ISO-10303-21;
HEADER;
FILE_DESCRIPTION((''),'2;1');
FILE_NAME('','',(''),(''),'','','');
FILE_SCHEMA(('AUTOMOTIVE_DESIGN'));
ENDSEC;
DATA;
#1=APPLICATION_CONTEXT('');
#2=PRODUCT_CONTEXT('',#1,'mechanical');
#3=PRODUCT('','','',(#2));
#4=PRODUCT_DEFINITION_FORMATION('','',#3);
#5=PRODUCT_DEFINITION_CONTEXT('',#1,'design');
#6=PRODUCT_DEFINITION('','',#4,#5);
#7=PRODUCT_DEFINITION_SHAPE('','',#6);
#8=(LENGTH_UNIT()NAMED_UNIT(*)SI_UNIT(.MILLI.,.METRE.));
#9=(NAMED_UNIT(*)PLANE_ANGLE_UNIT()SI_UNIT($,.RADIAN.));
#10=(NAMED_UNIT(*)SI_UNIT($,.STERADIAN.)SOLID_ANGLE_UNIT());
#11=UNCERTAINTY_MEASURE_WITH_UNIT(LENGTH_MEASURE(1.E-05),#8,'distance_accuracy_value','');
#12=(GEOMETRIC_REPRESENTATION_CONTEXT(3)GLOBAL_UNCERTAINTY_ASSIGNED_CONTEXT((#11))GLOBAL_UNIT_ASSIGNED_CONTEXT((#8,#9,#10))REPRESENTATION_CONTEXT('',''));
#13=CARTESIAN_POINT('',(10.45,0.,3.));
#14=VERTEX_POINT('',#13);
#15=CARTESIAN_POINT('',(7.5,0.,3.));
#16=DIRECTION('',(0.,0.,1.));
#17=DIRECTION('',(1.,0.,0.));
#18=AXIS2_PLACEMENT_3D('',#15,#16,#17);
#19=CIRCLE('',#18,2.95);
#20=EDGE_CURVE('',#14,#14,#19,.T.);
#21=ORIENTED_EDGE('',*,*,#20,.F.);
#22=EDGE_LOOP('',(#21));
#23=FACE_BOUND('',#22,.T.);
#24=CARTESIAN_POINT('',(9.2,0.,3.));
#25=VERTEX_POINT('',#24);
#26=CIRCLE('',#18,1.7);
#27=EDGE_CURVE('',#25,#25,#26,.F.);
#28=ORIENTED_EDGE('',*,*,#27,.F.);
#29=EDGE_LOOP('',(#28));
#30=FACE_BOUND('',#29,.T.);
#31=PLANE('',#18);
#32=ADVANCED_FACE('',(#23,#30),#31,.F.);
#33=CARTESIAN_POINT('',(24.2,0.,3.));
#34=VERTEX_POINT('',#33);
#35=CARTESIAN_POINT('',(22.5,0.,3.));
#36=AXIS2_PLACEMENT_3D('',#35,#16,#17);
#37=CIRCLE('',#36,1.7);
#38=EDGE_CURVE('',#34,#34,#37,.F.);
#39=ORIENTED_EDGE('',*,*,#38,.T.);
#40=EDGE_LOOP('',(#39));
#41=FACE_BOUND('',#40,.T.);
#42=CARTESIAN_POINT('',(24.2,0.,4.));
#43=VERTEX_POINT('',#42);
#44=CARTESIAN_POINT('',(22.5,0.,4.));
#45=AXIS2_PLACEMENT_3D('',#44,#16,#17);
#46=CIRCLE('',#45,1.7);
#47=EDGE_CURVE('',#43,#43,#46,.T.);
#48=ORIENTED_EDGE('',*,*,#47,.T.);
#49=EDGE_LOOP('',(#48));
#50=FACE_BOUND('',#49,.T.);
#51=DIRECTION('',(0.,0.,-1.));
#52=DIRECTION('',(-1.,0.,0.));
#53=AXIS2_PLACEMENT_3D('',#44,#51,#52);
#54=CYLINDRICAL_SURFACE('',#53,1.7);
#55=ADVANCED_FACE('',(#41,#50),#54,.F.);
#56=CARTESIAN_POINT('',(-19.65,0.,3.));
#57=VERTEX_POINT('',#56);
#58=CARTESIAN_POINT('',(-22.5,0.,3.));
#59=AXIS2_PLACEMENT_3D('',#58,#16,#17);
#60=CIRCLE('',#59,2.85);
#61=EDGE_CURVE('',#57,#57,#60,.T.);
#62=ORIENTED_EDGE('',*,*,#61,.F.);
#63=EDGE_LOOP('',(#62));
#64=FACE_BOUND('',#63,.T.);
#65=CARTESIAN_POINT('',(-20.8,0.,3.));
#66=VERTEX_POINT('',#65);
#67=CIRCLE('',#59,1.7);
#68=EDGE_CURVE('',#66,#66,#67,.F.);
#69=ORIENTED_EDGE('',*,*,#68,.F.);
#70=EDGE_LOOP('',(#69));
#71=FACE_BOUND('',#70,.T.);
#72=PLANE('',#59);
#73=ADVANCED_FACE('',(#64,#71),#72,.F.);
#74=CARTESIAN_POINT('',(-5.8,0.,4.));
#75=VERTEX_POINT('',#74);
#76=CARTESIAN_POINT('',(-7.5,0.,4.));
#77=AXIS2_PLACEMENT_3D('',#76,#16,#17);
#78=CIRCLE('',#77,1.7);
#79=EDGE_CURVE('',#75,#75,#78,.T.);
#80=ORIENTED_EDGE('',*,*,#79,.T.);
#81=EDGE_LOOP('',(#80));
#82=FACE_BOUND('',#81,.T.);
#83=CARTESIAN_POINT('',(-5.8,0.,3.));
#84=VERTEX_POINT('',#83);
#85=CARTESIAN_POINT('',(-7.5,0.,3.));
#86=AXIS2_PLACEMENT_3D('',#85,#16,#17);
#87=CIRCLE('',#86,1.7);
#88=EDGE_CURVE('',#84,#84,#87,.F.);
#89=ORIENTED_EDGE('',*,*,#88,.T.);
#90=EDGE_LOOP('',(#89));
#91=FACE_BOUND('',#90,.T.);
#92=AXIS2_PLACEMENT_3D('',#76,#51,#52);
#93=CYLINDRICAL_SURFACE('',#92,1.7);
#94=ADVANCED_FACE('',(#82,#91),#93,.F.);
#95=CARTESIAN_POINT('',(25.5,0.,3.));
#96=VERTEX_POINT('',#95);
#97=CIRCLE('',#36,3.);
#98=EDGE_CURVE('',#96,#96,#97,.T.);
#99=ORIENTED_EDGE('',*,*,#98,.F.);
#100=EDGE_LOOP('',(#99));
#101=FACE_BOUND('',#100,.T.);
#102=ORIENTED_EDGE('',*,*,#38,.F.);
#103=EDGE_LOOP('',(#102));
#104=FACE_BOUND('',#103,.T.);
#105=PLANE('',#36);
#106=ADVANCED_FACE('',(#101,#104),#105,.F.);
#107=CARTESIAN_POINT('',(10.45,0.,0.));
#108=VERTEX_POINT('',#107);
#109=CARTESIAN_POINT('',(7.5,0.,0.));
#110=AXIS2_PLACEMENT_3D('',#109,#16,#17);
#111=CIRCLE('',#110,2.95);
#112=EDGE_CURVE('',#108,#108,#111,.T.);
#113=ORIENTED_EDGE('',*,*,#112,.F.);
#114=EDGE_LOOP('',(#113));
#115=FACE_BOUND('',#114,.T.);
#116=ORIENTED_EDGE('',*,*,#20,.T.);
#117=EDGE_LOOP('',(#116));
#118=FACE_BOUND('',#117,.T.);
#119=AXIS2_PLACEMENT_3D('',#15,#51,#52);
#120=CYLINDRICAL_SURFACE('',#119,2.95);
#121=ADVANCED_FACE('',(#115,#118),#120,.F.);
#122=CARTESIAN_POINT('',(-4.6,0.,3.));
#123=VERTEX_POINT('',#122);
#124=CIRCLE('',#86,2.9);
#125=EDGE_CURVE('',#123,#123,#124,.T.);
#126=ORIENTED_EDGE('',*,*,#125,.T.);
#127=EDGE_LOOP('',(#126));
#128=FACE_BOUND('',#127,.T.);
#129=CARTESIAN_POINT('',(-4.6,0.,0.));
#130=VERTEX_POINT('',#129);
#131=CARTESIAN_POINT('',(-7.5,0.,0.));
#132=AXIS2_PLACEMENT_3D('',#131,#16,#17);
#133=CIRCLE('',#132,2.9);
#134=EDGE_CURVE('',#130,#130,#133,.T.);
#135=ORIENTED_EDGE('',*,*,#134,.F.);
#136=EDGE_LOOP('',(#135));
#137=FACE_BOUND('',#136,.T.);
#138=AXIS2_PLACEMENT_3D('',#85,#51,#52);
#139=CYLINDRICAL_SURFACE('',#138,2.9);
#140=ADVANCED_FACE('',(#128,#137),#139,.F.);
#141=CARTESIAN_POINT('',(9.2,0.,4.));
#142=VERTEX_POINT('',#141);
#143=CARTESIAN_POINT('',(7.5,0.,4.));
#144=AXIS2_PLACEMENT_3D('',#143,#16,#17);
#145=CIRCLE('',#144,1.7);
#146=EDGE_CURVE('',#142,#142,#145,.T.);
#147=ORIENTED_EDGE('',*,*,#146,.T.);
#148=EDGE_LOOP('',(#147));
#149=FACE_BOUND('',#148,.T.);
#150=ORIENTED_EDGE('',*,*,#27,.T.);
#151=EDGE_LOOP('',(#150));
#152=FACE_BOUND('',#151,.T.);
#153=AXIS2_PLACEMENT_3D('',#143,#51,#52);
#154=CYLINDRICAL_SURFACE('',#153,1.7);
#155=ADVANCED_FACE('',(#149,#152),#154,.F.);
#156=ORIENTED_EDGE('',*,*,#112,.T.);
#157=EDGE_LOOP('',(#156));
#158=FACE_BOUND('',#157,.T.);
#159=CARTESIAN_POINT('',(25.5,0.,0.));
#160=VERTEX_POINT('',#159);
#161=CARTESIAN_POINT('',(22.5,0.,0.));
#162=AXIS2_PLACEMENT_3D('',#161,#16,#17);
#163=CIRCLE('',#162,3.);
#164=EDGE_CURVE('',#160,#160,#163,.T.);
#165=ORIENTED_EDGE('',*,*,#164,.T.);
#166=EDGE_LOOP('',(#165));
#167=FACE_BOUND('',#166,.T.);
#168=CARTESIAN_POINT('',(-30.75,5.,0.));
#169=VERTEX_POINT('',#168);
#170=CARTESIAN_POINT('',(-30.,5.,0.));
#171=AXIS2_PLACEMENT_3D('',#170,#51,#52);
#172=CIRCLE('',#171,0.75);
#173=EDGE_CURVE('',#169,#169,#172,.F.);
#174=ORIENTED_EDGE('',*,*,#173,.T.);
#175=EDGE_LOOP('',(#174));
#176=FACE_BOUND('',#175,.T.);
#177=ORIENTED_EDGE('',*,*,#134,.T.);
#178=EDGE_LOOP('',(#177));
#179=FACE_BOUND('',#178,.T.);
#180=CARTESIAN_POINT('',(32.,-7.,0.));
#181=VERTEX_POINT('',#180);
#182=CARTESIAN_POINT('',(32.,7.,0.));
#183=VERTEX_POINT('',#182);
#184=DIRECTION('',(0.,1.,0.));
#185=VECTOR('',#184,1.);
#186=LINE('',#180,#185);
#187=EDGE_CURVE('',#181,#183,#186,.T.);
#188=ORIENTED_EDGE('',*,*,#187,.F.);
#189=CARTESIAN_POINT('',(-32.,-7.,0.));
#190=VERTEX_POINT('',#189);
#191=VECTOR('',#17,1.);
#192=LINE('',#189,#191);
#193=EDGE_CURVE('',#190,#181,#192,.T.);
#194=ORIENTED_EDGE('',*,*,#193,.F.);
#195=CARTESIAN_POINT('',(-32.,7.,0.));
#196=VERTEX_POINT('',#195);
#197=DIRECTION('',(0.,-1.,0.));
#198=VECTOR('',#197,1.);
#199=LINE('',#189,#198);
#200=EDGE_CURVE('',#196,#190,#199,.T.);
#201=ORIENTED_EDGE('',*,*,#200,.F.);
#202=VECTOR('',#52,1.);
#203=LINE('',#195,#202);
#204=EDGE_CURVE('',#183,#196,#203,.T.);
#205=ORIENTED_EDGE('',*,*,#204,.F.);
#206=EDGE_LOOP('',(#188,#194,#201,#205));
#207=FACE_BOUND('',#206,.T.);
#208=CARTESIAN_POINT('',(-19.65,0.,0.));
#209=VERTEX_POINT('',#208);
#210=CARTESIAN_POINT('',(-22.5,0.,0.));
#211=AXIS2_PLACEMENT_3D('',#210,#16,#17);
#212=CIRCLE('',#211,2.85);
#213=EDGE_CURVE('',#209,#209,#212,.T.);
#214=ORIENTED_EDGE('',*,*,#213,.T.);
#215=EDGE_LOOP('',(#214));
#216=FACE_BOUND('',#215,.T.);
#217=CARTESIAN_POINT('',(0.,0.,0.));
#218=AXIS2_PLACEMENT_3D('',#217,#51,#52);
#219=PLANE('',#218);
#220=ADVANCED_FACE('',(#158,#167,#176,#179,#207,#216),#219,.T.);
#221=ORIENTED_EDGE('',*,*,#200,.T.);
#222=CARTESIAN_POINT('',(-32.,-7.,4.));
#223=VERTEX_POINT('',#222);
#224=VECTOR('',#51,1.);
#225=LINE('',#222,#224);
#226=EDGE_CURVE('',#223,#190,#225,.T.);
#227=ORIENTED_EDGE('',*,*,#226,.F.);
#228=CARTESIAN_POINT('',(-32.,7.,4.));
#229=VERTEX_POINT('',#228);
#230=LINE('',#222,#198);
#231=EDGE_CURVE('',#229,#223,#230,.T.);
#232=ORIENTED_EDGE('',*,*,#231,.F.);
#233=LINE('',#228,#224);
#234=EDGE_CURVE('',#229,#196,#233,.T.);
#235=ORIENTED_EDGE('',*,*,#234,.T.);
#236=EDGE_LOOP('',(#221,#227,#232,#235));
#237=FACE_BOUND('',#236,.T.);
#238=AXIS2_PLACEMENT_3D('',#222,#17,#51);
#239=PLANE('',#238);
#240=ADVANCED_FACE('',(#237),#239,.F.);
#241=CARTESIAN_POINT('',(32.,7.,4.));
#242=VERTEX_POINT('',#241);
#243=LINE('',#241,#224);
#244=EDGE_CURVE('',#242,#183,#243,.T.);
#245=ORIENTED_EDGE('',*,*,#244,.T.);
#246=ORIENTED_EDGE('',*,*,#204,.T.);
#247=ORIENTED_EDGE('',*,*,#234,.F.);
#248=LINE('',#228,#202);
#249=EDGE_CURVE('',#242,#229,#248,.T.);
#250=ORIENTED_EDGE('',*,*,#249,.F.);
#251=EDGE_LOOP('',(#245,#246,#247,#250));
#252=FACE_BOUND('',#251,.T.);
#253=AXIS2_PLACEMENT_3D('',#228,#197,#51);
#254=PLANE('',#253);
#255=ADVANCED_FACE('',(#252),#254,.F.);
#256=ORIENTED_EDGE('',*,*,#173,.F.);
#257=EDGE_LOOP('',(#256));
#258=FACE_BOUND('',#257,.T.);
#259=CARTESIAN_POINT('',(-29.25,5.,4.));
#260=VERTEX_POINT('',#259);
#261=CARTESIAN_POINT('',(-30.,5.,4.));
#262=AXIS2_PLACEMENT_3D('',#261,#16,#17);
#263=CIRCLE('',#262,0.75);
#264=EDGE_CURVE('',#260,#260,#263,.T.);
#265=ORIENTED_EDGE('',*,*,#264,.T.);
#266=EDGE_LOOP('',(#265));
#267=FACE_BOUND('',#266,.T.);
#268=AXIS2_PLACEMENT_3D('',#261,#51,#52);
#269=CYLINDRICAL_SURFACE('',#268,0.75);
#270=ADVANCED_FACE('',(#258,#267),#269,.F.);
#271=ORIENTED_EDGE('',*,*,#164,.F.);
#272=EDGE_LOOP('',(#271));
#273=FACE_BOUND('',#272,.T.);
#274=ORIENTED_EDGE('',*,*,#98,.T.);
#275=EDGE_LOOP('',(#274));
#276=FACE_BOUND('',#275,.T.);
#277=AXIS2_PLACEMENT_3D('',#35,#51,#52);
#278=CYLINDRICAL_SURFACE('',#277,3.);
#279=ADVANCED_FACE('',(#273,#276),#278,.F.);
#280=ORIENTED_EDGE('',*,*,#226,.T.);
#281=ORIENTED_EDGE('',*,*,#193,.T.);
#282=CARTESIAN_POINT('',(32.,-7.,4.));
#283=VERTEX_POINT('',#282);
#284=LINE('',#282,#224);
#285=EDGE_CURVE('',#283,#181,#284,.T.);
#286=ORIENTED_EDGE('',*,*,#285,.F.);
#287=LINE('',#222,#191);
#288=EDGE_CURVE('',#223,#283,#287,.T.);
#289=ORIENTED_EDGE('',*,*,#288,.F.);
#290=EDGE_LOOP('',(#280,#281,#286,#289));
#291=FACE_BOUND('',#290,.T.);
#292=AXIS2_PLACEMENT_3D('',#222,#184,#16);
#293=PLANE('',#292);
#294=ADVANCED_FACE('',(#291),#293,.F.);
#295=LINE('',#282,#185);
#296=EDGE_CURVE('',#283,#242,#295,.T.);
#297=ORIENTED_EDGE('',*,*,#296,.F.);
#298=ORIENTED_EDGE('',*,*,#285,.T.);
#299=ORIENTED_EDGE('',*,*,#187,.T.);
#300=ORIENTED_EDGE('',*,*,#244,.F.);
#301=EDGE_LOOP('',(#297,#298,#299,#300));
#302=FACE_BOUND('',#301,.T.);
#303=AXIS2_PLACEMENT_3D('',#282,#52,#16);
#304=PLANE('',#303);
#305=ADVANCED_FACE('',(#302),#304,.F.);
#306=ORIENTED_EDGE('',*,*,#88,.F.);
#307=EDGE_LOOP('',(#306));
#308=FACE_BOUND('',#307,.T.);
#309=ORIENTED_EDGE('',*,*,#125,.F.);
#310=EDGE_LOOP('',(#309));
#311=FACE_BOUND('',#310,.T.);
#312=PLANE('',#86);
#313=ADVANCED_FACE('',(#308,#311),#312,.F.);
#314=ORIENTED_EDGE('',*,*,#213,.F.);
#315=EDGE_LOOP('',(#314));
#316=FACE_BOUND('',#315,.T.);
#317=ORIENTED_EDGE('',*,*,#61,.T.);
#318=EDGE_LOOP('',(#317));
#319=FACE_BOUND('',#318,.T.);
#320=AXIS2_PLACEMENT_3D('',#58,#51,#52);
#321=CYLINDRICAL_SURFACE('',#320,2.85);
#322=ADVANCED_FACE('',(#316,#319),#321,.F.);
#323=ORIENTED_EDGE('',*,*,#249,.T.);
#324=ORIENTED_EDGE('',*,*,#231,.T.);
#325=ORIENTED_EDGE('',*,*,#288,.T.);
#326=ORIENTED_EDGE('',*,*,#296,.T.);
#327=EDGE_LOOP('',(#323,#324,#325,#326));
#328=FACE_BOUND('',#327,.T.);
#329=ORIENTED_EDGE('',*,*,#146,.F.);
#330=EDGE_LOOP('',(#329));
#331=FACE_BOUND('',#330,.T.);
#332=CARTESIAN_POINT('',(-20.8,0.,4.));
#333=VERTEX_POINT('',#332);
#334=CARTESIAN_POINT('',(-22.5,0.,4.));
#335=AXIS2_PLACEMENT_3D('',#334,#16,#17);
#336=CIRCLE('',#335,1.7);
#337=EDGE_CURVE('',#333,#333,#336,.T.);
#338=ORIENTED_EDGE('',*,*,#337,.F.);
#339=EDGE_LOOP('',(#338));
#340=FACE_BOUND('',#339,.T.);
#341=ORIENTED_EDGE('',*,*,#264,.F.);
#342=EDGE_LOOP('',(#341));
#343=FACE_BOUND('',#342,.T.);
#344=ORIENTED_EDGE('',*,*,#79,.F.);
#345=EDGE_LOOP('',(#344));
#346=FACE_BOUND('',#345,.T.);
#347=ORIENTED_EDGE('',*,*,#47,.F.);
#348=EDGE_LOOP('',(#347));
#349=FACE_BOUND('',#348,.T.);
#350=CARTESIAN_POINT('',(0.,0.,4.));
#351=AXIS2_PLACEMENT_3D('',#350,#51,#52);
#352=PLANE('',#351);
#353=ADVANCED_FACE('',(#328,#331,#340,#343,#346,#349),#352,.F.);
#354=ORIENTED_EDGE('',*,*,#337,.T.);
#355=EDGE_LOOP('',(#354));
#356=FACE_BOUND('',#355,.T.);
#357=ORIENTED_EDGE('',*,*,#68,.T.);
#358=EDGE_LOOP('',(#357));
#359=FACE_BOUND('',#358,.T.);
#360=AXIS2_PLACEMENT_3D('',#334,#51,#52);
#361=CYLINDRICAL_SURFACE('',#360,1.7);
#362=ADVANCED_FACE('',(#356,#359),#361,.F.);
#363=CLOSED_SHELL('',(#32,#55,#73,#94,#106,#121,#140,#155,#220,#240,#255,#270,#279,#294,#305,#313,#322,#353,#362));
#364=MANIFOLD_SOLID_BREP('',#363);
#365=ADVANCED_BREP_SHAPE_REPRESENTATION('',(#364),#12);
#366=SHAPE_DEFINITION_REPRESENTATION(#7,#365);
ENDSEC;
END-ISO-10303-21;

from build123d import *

# Parameters (mm, degrees)
COUPON_BAR_64X14X4_PROFILE_W                   = 64
COUPON_BAR_64X14X4_PROFILE_H                   = 14
COUPON_BAR_64X14X4_DEPTH                       = 4
PRESS_SOCKETS_5P70_5P80_5P90_6P00_DE_2_R       = 2.85
PRESS_SOCKETS_5P70_5P80_5P90_6P00_DE_2_R_2     = 2.9
PRESS_SOCKETS_5P70_5P80_5P90_6P00_DE_2_R_3     = 2.95
PRESS_SOCKETS_5P70_5P80_5P90_6P00_DE_2_R_4     = 3
PRESS_SOCKETS_5P70_5P80_5P90_6P00_DEPTH3_DEPTH = 3
M3_CENTRE_SCREW_CLEARANCE_START                = -50
M3_CENTRE_SCREW_CLEARANCE_PROFILE_R            = 1.7
M3_CENTRE_SCREW_CLEARANCE_DEPTH                = 84
ORIENTATION_MARK_AT_SMALLEST_SOCKET_START      = -50
ORIENTATION_MARK_AT_SMALLEST_SOCKET_PROF_R     = 0.75
ORIENTATION_MARK_AT_SMALLEST_SOCKET_DEPTH      = 84


with BuildPart() as part:
    # Coupon_bar_64x14x4_profile → Coupon_bar_64x14x4 (new body)
    with BuildSketch(Plane.XY):
        Rectangle(COUPON_BAR_64X14X4_PROFILE_W, COUPON_BAR_64X14X4_PROFILE_H)
    extrude(amount=COUPON_BAR_64X14X4_DEPTH)

    # Press_sockets_5p70_5p80_5p90_6p00_de 2 → Press_sockets_5p70_5p80_5p90_6p00_depth3 (cut)
    with BuildSketch(Plane.XY):
        with Locations((-22.5, 0)):
            Circle(PRESS_SOCKETS_5P70_5P80_5P90_6P00_DE_2_R)
        with Locations((-7.5, 0)):
            Circle(PRESS_SOCKETS_5P70_5P80_5P90_6P00_DE_2_R_2)
        with Locations((7.5, 0)):
            Circle(PRESS_SOCKETS_5P70_5P80_5P90_6P00_DE_2_R_3)
        with Locations((22.5, 0)):
            Circle(PRESS_SOCKETS_5P70_5P80_5P90_6P00_DE_2_R_4)
    extrude(amount=PRESS_SOCKETS_5P70_5P80_5P90_6P00_DEPTH3_DEPTH, mode=Mode.SUBTRACT)

    # M3_centre_screw_clearance_profile → M3_centre_screw_clearance (cut, through all)
    with BuildSketch(Plane.XY.offset(M3_CENTRE_SCREW_CLEARANCE_START)):
        with Locations((-22.5, 0)):
            Circle(M3_CENTRE_SCREW_CLEARANCE_PROFILE_R)
        with Locations((-7.5, 0)):
            Circle(M3_CENTRE_SCREW_CLEARANCE_PROFILE_R)
        with Locations((7.5, 0)):
            Circle(M3_CENTRE_SCREW_CLEARANCE_PROFILE_R)
        with Locations((22.5, 0)):
            Circle(M3_CENTRE_SCREW_CLEARANCE_PROFILE_R)
    extrude(amount=M3_CENTRE_SCREW_CLEARANCE_DEPTH, mode=Mode.SUBTRACT)

    # Orientation_mark_at_smallest_socket_profile → Orientation_mark_at_smallest_socket (cut, through all)
    with BuildSketch(Plane.XY.offset(ORIENTATION_MARK_AT_SMALLEST_SOCKET_START)):
        with Locations(Location((-30, 5, 0), (0, 0, 180))):
            Circle(ORIENTATION_MARK_AT_SMALLEST_SOCKET_PROF_R)
    extrude(amount=ORIENTATION_MARK_AT_SMALLEST_SOCKET_DEPTH, mode=Mode.SUBTRACT)


solid = part.part
